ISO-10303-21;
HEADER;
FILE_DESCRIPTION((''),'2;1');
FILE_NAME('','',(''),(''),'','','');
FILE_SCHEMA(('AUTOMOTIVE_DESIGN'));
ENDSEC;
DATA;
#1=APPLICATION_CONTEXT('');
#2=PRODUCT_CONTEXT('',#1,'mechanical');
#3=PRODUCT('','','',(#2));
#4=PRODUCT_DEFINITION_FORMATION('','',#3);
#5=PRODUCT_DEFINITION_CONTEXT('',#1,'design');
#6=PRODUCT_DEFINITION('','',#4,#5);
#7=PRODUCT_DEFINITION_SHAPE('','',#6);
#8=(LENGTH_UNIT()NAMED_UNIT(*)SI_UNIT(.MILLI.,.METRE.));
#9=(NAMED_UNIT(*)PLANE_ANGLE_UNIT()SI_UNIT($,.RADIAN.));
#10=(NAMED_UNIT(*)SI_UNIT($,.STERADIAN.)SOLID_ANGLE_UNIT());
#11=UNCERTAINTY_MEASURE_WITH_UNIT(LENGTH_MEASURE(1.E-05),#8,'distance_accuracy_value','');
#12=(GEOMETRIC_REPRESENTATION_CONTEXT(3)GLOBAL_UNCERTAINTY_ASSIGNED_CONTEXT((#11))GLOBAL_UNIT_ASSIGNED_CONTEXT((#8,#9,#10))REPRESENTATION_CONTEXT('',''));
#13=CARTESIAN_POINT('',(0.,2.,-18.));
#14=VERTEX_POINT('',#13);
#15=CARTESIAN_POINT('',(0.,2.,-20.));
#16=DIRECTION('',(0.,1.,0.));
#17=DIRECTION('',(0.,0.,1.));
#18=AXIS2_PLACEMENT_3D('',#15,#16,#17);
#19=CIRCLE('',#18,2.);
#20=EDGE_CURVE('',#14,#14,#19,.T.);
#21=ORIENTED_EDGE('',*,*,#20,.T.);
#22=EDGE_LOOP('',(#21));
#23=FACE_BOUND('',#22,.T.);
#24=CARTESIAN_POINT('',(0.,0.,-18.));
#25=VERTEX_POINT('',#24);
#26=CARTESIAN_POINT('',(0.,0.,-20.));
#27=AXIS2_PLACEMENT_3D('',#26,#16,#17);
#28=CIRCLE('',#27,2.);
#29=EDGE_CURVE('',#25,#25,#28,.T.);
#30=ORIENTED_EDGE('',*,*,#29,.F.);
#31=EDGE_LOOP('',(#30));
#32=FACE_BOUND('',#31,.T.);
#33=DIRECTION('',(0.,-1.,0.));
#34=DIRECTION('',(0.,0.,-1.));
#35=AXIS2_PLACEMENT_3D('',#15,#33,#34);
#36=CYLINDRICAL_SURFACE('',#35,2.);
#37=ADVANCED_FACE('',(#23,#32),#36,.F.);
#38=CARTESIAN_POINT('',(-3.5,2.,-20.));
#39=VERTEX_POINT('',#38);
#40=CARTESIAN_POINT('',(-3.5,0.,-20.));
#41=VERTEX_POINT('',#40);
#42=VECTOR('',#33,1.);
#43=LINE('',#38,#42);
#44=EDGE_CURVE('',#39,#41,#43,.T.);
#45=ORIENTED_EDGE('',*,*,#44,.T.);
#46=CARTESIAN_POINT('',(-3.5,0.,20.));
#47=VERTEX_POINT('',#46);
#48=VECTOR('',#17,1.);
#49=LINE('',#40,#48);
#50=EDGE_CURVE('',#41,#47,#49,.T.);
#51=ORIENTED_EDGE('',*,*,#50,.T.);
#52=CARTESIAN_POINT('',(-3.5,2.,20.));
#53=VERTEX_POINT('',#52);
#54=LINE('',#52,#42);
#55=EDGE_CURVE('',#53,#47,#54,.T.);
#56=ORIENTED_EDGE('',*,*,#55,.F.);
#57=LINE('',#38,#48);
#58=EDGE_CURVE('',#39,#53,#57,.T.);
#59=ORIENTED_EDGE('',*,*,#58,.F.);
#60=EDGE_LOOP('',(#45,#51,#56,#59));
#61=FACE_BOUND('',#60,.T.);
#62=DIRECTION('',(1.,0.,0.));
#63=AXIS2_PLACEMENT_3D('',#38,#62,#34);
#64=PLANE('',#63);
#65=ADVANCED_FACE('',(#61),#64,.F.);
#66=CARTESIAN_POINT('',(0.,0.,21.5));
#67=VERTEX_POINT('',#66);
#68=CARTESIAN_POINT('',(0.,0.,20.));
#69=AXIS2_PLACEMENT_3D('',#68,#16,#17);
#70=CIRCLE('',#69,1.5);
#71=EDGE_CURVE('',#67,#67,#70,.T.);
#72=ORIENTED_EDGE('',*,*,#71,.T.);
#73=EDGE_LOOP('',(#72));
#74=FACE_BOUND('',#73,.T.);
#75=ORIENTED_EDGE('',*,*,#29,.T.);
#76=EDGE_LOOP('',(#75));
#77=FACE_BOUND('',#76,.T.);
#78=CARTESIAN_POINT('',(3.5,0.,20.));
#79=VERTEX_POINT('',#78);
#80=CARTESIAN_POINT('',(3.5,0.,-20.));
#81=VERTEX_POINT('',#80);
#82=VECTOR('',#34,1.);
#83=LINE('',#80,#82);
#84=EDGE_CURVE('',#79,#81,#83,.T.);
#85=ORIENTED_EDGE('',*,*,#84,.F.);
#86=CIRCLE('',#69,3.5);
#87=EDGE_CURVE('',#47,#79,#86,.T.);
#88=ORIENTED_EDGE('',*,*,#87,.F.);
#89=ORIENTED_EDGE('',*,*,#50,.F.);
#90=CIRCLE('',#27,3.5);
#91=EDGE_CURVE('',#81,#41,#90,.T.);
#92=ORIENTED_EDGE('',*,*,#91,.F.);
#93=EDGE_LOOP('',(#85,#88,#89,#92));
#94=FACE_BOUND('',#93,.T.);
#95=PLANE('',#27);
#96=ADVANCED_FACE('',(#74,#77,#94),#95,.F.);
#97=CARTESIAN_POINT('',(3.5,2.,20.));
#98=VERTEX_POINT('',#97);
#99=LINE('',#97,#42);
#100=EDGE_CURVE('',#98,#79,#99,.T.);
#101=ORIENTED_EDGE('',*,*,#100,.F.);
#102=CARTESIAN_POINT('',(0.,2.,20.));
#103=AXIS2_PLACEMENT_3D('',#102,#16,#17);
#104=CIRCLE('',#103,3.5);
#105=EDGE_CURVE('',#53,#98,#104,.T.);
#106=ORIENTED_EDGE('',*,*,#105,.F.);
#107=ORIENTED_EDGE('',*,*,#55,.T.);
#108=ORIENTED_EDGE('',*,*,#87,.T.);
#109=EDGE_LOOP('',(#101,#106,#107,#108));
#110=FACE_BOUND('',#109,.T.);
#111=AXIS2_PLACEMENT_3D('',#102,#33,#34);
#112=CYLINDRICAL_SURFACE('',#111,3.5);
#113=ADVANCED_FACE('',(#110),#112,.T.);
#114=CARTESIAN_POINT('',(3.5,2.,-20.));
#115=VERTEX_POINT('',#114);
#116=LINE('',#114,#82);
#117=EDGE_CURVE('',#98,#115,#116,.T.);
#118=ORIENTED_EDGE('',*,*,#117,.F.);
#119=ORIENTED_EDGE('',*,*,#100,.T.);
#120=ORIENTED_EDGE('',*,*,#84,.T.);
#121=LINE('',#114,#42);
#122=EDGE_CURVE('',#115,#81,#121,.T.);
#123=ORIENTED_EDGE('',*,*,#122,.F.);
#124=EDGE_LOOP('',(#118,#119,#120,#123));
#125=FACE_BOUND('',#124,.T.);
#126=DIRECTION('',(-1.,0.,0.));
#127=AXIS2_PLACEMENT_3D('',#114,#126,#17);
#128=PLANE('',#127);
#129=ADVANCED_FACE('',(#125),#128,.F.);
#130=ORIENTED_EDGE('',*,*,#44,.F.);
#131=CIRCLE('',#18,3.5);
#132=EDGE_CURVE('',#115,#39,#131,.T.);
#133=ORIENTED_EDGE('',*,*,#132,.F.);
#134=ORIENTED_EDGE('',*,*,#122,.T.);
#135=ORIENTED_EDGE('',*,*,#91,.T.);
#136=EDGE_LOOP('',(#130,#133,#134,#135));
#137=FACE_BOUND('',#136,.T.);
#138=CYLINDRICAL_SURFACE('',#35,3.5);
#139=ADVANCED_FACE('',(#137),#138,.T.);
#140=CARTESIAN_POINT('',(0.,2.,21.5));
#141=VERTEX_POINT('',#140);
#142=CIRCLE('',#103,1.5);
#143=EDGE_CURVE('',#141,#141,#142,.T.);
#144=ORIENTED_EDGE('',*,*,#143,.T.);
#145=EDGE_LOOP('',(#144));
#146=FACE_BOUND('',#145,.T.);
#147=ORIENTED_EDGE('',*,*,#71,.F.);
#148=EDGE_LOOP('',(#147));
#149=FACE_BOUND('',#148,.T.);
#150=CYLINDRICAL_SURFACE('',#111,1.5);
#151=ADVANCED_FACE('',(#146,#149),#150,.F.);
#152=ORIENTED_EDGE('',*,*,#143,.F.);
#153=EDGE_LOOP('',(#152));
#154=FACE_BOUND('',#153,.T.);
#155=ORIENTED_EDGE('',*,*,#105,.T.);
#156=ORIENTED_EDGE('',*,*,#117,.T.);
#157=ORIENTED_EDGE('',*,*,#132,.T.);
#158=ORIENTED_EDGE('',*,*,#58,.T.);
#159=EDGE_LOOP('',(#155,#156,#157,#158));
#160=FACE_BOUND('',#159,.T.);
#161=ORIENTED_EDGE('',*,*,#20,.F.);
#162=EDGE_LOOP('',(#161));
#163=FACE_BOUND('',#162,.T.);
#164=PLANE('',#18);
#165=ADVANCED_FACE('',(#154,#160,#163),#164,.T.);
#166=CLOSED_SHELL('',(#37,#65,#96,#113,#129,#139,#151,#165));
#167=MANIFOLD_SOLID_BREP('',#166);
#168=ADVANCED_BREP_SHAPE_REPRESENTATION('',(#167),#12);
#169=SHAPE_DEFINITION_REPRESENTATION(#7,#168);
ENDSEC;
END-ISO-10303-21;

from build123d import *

# Parameters (mm, degrees)
SKETCH1_R           = 2
SKETCH1_R_2         = 1.5
BOSS_EXTRUDE1_DEPTH = 2


with BuildPart() as part:
    # Sketch1 → Boss-Extrude1 (new body)
    with BuildSketch(Plane(origin=(0, 0, 0), x_dir=(1, 0, 0), z_dir=(0, 1, 0))):
        with BuildLine():
            Line((3.5, 20), (3.5, -20))
            ThreePointArc((3.5, -20), (0, -23.5), (-3.5, -20))
            Line((-3.5, -20), (-3.5, 20))
            ThreePointArc((-3.5, 20), (0, 23.5), (3.5, 20))
        make_face()
        with Locations(Location((0, 20, 0), (0, 0, 270))):
            Circle(SKETCH1_R, mode=Mode.SUBTRACT)
        with Locations(Location((0, -20, 0), (0, 0, 270))):
            Circle(SKETCH1_R_2, mode=Mode.SUBTRACT)
    extrude(amount=BOSS_EXTRUDE1_DEPTH)


solid = part.part
